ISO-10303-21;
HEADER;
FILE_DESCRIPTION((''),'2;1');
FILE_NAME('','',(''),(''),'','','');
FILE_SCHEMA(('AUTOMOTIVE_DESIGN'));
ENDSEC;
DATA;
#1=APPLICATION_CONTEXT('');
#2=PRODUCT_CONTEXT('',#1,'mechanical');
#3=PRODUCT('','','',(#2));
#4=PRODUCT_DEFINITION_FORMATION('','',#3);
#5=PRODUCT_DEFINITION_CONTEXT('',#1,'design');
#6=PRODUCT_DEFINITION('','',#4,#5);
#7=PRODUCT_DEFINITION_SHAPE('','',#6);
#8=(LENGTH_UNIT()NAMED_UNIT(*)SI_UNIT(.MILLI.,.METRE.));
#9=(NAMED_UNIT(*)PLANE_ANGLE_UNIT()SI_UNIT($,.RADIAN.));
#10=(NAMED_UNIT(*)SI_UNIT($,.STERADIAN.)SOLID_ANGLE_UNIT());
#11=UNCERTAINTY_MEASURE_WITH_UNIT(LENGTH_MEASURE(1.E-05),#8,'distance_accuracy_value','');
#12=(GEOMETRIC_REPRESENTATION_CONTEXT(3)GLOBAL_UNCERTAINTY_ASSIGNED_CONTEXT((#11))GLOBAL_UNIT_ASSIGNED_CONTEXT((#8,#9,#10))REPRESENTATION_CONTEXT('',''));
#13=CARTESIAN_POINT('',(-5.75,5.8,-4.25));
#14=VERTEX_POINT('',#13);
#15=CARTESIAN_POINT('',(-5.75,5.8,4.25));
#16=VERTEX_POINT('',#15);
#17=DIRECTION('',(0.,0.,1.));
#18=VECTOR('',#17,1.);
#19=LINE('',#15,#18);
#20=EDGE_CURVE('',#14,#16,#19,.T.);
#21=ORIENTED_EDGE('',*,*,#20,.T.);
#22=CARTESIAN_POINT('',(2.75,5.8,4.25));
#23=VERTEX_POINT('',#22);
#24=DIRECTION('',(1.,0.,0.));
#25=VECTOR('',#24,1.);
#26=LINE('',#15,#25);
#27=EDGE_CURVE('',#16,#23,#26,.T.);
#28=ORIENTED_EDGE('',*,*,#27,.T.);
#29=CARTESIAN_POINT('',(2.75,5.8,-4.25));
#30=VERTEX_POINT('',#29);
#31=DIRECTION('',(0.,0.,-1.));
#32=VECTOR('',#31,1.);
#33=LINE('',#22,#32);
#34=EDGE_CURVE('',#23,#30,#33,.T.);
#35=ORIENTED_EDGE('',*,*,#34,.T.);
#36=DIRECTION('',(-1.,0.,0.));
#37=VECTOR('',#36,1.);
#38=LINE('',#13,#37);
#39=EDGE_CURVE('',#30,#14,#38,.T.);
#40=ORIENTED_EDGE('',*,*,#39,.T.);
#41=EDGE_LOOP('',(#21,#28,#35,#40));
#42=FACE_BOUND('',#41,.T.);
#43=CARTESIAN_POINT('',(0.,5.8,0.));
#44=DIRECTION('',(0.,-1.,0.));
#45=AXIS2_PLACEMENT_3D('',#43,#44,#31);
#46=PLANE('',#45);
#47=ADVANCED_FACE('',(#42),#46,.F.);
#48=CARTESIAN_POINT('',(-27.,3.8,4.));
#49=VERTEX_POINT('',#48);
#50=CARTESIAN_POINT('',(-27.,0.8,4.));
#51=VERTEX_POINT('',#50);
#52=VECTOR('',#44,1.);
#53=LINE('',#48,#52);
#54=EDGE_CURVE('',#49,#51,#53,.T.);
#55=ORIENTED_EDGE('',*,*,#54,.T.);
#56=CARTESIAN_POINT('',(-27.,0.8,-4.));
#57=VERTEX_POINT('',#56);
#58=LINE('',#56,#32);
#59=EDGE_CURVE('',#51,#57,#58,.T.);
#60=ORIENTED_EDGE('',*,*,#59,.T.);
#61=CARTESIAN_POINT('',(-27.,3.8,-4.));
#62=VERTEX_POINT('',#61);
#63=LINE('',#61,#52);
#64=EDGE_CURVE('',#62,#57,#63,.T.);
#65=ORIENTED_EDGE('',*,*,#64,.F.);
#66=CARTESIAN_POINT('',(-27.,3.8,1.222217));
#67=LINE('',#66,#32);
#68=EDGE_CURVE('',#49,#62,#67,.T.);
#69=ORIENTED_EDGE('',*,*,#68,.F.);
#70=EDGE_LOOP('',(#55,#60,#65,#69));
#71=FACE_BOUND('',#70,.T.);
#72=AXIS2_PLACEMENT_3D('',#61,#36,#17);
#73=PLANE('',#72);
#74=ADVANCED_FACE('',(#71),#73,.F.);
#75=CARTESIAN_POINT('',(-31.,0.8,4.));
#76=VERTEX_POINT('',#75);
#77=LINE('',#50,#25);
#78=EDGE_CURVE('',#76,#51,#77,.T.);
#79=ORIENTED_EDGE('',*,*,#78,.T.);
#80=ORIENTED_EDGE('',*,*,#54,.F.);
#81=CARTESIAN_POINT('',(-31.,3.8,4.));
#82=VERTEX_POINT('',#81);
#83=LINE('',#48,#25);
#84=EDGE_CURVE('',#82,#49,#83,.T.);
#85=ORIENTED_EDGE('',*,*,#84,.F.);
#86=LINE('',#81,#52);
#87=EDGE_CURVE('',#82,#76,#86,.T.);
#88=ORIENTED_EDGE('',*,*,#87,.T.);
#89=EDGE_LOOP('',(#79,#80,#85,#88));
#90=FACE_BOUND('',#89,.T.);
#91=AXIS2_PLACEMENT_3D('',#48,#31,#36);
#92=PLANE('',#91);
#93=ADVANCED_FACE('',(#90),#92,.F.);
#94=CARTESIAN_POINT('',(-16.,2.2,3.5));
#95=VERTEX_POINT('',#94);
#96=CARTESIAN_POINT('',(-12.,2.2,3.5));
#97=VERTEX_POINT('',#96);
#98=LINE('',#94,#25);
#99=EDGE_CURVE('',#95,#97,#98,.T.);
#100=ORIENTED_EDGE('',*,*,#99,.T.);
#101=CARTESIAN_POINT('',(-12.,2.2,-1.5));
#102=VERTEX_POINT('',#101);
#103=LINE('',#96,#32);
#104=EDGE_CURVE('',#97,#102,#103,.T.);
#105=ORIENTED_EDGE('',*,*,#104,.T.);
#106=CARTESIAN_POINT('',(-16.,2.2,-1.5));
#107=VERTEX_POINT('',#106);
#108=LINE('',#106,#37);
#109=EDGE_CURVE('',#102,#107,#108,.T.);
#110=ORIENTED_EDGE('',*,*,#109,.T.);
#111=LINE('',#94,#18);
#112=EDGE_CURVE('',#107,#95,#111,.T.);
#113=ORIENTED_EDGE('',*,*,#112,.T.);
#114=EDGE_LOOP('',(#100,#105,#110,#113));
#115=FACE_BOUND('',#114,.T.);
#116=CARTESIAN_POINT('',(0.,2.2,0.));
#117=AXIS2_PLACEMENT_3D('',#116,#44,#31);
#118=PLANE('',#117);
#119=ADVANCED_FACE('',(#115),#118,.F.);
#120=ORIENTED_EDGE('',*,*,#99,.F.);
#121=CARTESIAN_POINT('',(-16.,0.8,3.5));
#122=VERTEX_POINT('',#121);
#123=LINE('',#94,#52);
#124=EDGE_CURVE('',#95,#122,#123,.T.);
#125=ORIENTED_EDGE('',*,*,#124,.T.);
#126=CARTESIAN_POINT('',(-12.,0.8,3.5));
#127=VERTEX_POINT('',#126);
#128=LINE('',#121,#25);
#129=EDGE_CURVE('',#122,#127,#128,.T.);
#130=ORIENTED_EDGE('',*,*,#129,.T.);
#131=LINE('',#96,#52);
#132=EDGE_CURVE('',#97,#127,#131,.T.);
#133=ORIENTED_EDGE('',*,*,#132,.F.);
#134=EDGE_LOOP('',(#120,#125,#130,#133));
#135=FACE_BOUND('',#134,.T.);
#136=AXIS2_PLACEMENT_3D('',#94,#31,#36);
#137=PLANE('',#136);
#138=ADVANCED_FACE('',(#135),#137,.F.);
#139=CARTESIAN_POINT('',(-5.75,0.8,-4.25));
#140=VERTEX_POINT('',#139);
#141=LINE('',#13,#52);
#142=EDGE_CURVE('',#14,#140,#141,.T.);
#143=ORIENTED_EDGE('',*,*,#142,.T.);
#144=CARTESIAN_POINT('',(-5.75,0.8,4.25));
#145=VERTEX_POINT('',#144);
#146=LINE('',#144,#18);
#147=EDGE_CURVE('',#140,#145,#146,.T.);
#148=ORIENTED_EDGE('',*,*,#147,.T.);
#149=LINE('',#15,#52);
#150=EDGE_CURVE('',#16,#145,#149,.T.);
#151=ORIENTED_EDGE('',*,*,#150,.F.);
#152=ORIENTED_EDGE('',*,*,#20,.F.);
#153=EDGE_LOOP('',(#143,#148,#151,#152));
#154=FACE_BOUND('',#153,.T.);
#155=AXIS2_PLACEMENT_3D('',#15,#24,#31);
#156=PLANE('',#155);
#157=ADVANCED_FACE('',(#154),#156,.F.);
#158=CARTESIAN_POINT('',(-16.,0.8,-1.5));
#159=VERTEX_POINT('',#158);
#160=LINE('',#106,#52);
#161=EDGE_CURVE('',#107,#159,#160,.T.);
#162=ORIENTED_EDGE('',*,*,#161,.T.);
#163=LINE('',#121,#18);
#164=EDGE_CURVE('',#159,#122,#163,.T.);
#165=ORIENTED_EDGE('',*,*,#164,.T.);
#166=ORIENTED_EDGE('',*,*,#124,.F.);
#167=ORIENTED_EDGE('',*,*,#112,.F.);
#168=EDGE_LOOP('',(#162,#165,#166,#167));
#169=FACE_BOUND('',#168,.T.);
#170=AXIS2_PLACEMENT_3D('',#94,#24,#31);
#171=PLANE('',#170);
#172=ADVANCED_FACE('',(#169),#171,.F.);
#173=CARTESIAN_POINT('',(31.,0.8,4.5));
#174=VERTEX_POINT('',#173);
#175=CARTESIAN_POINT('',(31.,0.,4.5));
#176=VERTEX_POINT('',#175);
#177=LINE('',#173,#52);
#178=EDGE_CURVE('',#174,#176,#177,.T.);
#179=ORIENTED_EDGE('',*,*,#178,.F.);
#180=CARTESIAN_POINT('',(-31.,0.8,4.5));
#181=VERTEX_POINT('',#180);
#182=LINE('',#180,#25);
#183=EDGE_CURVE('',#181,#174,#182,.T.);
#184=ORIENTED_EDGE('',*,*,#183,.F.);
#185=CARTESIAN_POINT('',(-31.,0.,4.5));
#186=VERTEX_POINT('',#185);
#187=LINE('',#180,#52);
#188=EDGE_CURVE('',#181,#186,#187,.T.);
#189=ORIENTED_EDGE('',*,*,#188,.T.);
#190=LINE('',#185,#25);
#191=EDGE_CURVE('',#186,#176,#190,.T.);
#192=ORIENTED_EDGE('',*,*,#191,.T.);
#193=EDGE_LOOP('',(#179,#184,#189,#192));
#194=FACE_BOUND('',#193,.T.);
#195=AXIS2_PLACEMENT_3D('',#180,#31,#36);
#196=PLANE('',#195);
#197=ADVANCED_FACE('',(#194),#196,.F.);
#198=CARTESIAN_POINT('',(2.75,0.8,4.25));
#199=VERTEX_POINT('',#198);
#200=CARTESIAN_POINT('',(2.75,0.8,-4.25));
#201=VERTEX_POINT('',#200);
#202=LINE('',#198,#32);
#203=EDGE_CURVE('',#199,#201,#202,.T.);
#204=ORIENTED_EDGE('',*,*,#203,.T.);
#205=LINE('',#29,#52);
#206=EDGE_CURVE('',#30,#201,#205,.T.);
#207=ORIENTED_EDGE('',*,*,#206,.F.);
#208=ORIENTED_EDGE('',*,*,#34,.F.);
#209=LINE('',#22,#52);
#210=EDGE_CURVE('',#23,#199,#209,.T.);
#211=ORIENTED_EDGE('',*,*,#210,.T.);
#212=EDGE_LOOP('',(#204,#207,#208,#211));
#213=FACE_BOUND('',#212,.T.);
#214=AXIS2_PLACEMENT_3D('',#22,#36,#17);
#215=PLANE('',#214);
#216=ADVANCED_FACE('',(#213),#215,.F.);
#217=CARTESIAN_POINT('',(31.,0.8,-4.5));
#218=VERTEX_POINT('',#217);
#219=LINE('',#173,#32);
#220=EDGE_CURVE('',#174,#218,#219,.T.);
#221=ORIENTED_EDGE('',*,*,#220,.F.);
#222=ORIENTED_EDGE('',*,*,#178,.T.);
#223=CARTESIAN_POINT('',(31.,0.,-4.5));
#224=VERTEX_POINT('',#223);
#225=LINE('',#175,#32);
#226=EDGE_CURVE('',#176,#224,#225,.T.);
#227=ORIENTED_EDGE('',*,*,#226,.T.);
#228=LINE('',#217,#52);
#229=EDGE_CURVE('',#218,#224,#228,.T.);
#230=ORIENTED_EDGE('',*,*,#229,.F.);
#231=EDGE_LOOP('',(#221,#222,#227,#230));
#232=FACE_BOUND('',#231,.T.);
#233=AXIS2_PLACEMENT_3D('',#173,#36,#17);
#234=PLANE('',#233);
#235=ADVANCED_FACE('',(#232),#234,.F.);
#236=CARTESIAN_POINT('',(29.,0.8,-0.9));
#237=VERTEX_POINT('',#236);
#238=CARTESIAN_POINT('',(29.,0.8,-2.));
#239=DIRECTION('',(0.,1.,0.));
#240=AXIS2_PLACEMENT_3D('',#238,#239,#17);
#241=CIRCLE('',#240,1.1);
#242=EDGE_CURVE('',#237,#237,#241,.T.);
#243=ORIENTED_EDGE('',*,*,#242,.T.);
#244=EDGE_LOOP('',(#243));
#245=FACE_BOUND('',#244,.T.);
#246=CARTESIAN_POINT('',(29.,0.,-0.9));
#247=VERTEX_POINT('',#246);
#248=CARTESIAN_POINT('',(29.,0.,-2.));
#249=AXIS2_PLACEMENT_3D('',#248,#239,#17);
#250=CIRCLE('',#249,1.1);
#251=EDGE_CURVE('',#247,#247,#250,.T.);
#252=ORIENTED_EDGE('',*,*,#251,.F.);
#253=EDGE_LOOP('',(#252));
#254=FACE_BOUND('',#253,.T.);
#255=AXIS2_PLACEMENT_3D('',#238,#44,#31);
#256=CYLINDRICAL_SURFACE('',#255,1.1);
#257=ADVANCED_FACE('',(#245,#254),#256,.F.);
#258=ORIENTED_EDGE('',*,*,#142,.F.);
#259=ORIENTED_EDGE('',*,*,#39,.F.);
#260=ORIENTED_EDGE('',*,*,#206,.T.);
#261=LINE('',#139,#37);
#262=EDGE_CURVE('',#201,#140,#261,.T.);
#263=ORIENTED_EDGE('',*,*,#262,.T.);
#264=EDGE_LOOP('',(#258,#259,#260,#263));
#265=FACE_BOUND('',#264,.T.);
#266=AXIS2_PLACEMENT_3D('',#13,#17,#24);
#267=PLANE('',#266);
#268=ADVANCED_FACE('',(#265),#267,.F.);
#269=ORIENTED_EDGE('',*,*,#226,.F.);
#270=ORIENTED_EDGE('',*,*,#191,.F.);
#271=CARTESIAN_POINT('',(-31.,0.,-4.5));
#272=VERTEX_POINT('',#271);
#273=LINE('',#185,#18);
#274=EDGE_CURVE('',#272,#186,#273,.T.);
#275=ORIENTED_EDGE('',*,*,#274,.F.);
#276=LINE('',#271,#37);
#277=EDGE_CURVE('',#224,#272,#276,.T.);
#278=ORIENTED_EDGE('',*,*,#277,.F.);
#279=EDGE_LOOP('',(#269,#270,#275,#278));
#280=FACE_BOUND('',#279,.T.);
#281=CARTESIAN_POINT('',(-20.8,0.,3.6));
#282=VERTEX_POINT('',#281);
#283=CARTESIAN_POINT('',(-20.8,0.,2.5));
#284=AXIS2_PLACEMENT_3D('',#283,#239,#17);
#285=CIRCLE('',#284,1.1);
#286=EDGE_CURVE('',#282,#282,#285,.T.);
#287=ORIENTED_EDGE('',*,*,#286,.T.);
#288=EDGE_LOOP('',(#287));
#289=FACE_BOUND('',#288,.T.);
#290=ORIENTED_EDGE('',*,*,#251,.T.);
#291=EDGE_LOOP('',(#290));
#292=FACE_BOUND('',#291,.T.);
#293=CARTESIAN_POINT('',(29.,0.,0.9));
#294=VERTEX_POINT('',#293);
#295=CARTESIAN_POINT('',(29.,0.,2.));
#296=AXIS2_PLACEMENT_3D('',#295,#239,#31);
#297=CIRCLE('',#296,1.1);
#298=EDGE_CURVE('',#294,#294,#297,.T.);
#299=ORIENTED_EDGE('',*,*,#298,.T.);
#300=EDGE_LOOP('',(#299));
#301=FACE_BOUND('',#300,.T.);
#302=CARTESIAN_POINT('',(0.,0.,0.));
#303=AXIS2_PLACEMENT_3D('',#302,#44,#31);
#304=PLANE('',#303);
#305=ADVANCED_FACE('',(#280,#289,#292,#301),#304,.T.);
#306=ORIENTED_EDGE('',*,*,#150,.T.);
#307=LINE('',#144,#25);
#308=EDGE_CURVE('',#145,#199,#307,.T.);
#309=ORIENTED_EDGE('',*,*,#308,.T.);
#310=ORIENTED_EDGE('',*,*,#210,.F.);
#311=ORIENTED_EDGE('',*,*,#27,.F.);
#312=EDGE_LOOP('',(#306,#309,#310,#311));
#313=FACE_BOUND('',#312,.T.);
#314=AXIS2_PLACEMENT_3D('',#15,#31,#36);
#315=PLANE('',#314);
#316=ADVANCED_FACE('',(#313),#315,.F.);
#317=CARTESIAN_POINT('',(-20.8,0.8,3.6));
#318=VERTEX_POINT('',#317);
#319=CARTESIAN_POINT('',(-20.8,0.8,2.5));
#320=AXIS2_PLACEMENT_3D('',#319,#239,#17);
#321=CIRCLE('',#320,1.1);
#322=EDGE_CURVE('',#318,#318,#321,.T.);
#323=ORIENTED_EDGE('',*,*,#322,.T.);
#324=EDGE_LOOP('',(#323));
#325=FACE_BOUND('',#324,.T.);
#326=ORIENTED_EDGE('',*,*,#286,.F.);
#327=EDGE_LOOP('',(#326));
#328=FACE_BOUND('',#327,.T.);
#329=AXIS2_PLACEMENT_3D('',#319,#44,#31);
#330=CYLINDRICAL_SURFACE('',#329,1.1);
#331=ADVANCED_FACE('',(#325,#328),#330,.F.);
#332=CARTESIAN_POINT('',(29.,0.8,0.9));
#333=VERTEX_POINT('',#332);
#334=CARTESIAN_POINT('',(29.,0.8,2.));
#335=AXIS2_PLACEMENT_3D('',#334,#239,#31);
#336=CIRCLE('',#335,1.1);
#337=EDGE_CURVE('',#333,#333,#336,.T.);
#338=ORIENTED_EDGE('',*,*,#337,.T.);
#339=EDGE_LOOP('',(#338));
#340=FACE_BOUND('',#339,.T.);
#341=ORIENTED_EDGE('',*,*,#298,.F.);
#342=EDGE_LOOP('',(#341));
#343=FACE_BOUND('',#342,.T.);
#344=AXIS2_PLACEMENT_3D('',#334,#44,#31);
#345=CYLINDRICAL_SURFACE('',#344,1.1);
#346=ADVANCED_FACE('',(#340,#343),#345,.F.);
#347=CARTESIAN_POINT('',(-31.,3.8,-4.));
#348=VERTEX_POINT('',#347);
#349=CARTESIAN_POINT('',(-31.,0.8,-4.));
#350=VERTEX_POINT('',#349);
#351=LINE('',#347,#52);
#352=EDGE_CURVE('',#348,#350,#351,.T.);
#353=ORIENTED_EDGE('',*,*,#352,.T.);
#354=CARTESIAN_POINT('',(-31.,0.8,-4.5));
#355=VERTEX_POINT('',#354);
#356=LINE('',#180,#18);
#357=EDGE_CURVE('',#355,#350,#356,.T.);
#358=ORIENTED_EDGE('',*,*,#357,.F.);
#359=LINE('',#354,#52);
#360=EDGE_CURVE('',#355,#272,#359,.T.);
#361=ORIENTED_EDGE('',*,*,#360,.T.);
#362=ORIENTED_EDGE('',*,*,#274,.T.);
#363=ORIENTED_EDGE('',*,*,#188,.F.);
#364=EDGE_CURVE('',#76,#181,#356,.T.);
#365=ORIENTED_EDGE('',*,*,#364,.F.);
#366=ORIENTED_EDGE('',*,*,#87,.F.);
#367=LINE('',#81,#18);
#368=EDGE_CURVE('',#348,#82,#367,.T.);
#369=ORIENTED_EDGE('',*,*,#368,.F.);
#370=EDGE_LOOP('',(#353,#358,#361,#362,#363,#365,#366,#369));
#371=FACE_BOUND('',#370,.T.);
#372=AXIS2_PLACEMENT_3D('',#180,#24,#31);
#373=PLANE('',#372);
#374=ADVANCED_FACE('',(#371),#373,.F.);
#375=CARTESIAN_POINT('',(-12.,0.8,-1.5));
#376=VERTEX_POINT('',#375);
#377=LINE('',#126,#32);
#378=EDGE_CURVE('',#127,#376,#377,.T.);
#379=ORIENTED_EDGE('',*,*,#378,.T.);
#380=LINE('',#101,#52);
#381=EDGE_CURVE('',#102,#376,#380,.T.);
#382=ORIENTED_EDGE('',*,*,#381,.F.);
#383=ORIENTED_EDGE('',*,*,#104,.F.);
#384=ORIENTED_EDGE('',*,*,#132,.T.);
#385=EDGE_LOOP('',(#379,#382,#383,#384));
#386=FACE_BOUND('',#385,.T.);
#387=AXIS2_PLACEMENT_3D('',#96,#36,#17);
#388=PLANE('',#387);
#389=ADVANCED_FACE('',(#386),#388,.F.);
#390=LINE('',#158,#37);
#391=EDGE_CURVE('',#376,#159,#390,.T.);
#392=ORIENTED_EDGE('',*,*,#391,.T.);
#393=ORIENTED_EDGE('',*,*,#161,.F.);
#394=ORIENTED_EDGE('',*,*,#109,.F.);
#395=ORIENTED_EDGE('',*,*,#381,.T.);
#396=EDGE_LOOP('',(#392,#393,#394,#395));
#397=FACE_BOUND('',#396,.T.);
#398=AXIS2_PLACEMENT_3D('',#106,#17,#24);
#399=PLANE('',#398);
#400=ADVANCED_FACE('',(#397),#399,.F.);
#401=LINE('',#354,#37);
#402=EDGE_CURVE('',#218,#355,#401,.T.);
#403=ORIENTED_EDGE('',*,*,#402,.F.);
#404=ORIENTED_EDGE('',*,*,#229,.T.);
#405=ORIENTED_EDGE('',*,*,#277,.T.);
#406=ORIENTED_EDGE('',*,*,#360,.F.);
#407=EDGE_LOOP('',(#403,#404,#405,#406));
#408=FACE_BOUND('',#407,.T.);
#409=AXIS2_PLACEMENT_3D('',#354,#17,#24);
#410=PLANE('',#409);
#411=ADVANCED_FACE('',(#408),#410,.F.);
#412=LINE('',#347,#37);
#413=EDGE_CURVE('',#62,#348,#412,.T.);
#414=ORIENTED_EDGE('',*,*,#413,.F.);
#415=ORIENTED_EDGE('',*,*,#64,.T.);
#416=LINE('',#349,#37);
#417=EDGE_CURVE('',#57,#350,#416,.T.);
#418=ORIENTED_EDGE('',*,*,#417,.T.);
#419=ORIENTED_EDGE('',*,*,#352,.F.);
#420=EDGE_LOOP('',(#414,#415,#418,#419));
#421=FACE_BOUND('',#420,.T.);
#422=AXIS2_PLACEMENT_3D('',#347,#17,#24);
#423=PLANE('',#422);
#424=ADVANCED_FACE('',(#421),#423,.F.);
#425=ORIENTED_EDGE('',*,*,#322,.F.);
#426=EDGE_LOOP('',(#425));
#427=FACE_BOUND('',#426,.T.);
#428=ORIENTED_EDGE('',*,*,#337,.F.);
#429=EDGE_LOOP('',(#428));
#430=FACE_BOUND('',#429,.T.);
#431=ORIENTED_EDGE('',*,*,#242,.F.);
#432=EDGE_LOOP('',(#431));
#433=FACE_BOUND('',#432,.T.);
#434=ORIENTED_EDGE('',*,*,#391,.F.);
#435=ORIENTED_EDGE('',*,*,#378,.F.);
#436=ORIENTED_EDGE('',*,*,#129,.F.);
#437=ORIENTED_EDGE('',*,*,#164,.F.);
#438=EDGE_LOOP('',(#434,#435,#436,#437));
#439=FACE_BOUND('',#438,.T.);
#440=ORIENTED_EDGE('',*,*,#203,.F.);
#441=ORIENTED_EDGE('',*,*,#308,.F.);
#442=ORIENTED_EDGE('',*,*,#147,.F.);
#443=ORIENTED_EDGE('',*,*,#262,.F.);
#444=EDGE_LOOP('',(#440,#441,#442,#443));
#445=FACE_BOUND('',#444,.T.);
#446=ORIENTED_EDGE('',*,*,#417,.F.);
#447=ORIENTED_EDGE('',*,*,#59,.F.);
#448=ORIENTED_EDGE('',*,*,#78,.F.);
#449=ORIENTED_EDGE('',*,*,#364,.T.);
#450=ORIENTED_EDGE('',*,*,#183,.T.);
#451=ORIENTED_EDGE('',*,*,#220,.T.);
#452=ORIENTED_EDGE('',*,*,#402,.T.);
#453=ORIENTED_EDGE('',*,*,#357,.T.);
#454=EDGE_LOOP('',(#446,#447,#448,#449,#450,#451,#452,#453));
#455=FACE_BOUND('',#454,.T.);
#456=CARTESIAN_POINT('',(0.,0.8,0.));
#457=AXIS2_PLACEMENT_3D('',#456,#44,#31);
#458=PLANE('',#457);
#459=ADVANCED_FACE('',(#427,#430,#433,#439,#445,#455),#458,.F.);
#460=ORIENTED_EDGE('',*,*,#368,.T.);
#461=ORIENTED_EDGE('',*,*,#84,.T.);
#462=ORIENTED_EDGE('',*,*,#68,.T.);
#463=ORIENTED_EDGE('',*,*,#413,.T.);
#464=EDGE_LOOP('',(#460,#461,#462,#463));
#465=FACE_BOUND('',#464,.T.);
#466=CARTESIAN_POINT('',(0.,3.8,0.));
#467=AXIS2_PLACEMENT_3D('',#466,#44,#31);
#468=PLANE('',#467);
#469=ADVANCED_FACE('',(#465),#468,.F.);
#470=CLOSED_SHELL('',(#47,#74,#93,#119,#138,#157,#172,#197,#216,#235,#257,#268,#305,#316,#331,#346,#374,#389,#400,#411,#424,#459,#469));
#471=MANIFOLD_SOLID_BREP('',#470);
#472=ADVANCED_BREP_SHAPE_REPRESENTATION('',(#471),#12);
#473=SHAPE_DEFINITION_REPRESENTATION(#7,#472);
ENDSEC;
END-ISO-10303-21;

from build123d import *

# Parameters (mm, degrees)
SKETCH_1_W      = 62
SKETCH_1_H      = 9
SKETCH_1_R      = 1.1
EXTRUDE_1_DEPTH = 0.8
SKETCH_3_W      = 8.5
SKETCH_3_H      = 8.5
EXTRUDE_2_DEPTH = 5
EXTRUDE_3_DEPTH = 3
SKETCH_5_W      = 4
SKETCH_5_H      = 5
EXTRUDE_4_DEPTH = 1.4


with BuildPart() as part:
    # 草图1 → 凸台-拉伸1 (new body)
    with BuildSketch(Plane(origin=(0, 0, 0), x_dir=(1, 0, 0), z_dir=(0, 1, 0))):
        Rectangle(SKETCH_1_W, SKETCH_1_H)
        with Locations(Location((29, 2, 0), (0, 0, 270))):
            Circle(SKETCH_1_R, mode=Mode.SUBTRACT)
        with Locations(Location((29, -2, 0), (0, 0, 90))):
            Circle(SKETCH_1_R, mode=Mode.SUBTRACT)
        with Locations(Location((-20.8, -2.5, 0), (0, 0, 270))):
            Circle(SKETCH_1_R, mode=Mode.SUBTRACT)
    extrude(amount=EXTRUDE_1_DEPTH)

    # 草图3 → 凸台-拉伸2 (add)
    with BuildSketch(Plane(origin=(0, 0.8, 0), x_dir=(1, 0, 0), z_dir=(0, 1, 0))):
        with Locations((-1.5, 0)):
            Rectangle(SKETCH_3_W, SKETCH_3_H)
    extrude(amount=EXTRUDE_2_DEPTH)

    # 草图4 → 凸台-拉伸3 (add)
    with BuildSketch(Plane(origin=(0, 0.8, 0), x_dir=(1, 0, 0), z_dir=(0, 1, 0))):
        Polygon((-31, 0), (-31, 4), (-27, 4), (-27, -1.222216668), (-27, -4), (-31, -4), align=None)
    extrude(amount=EXTRUDE_3_DEPTH)

    # 草图5 → 凸台-拉伸4 (add)
    with BuildSketch(Plane(origin=(0, 0.8, 0), x_dir=(1, 0, 0), z_dir=(0, 1, 0))):
        with Locations((-14, -1)):
            Rectangle(SKETCH_5_W, SKETCH_5_H)
    extrude(amount=EXTRUDE_4_DEPTH)


solid = part.part
